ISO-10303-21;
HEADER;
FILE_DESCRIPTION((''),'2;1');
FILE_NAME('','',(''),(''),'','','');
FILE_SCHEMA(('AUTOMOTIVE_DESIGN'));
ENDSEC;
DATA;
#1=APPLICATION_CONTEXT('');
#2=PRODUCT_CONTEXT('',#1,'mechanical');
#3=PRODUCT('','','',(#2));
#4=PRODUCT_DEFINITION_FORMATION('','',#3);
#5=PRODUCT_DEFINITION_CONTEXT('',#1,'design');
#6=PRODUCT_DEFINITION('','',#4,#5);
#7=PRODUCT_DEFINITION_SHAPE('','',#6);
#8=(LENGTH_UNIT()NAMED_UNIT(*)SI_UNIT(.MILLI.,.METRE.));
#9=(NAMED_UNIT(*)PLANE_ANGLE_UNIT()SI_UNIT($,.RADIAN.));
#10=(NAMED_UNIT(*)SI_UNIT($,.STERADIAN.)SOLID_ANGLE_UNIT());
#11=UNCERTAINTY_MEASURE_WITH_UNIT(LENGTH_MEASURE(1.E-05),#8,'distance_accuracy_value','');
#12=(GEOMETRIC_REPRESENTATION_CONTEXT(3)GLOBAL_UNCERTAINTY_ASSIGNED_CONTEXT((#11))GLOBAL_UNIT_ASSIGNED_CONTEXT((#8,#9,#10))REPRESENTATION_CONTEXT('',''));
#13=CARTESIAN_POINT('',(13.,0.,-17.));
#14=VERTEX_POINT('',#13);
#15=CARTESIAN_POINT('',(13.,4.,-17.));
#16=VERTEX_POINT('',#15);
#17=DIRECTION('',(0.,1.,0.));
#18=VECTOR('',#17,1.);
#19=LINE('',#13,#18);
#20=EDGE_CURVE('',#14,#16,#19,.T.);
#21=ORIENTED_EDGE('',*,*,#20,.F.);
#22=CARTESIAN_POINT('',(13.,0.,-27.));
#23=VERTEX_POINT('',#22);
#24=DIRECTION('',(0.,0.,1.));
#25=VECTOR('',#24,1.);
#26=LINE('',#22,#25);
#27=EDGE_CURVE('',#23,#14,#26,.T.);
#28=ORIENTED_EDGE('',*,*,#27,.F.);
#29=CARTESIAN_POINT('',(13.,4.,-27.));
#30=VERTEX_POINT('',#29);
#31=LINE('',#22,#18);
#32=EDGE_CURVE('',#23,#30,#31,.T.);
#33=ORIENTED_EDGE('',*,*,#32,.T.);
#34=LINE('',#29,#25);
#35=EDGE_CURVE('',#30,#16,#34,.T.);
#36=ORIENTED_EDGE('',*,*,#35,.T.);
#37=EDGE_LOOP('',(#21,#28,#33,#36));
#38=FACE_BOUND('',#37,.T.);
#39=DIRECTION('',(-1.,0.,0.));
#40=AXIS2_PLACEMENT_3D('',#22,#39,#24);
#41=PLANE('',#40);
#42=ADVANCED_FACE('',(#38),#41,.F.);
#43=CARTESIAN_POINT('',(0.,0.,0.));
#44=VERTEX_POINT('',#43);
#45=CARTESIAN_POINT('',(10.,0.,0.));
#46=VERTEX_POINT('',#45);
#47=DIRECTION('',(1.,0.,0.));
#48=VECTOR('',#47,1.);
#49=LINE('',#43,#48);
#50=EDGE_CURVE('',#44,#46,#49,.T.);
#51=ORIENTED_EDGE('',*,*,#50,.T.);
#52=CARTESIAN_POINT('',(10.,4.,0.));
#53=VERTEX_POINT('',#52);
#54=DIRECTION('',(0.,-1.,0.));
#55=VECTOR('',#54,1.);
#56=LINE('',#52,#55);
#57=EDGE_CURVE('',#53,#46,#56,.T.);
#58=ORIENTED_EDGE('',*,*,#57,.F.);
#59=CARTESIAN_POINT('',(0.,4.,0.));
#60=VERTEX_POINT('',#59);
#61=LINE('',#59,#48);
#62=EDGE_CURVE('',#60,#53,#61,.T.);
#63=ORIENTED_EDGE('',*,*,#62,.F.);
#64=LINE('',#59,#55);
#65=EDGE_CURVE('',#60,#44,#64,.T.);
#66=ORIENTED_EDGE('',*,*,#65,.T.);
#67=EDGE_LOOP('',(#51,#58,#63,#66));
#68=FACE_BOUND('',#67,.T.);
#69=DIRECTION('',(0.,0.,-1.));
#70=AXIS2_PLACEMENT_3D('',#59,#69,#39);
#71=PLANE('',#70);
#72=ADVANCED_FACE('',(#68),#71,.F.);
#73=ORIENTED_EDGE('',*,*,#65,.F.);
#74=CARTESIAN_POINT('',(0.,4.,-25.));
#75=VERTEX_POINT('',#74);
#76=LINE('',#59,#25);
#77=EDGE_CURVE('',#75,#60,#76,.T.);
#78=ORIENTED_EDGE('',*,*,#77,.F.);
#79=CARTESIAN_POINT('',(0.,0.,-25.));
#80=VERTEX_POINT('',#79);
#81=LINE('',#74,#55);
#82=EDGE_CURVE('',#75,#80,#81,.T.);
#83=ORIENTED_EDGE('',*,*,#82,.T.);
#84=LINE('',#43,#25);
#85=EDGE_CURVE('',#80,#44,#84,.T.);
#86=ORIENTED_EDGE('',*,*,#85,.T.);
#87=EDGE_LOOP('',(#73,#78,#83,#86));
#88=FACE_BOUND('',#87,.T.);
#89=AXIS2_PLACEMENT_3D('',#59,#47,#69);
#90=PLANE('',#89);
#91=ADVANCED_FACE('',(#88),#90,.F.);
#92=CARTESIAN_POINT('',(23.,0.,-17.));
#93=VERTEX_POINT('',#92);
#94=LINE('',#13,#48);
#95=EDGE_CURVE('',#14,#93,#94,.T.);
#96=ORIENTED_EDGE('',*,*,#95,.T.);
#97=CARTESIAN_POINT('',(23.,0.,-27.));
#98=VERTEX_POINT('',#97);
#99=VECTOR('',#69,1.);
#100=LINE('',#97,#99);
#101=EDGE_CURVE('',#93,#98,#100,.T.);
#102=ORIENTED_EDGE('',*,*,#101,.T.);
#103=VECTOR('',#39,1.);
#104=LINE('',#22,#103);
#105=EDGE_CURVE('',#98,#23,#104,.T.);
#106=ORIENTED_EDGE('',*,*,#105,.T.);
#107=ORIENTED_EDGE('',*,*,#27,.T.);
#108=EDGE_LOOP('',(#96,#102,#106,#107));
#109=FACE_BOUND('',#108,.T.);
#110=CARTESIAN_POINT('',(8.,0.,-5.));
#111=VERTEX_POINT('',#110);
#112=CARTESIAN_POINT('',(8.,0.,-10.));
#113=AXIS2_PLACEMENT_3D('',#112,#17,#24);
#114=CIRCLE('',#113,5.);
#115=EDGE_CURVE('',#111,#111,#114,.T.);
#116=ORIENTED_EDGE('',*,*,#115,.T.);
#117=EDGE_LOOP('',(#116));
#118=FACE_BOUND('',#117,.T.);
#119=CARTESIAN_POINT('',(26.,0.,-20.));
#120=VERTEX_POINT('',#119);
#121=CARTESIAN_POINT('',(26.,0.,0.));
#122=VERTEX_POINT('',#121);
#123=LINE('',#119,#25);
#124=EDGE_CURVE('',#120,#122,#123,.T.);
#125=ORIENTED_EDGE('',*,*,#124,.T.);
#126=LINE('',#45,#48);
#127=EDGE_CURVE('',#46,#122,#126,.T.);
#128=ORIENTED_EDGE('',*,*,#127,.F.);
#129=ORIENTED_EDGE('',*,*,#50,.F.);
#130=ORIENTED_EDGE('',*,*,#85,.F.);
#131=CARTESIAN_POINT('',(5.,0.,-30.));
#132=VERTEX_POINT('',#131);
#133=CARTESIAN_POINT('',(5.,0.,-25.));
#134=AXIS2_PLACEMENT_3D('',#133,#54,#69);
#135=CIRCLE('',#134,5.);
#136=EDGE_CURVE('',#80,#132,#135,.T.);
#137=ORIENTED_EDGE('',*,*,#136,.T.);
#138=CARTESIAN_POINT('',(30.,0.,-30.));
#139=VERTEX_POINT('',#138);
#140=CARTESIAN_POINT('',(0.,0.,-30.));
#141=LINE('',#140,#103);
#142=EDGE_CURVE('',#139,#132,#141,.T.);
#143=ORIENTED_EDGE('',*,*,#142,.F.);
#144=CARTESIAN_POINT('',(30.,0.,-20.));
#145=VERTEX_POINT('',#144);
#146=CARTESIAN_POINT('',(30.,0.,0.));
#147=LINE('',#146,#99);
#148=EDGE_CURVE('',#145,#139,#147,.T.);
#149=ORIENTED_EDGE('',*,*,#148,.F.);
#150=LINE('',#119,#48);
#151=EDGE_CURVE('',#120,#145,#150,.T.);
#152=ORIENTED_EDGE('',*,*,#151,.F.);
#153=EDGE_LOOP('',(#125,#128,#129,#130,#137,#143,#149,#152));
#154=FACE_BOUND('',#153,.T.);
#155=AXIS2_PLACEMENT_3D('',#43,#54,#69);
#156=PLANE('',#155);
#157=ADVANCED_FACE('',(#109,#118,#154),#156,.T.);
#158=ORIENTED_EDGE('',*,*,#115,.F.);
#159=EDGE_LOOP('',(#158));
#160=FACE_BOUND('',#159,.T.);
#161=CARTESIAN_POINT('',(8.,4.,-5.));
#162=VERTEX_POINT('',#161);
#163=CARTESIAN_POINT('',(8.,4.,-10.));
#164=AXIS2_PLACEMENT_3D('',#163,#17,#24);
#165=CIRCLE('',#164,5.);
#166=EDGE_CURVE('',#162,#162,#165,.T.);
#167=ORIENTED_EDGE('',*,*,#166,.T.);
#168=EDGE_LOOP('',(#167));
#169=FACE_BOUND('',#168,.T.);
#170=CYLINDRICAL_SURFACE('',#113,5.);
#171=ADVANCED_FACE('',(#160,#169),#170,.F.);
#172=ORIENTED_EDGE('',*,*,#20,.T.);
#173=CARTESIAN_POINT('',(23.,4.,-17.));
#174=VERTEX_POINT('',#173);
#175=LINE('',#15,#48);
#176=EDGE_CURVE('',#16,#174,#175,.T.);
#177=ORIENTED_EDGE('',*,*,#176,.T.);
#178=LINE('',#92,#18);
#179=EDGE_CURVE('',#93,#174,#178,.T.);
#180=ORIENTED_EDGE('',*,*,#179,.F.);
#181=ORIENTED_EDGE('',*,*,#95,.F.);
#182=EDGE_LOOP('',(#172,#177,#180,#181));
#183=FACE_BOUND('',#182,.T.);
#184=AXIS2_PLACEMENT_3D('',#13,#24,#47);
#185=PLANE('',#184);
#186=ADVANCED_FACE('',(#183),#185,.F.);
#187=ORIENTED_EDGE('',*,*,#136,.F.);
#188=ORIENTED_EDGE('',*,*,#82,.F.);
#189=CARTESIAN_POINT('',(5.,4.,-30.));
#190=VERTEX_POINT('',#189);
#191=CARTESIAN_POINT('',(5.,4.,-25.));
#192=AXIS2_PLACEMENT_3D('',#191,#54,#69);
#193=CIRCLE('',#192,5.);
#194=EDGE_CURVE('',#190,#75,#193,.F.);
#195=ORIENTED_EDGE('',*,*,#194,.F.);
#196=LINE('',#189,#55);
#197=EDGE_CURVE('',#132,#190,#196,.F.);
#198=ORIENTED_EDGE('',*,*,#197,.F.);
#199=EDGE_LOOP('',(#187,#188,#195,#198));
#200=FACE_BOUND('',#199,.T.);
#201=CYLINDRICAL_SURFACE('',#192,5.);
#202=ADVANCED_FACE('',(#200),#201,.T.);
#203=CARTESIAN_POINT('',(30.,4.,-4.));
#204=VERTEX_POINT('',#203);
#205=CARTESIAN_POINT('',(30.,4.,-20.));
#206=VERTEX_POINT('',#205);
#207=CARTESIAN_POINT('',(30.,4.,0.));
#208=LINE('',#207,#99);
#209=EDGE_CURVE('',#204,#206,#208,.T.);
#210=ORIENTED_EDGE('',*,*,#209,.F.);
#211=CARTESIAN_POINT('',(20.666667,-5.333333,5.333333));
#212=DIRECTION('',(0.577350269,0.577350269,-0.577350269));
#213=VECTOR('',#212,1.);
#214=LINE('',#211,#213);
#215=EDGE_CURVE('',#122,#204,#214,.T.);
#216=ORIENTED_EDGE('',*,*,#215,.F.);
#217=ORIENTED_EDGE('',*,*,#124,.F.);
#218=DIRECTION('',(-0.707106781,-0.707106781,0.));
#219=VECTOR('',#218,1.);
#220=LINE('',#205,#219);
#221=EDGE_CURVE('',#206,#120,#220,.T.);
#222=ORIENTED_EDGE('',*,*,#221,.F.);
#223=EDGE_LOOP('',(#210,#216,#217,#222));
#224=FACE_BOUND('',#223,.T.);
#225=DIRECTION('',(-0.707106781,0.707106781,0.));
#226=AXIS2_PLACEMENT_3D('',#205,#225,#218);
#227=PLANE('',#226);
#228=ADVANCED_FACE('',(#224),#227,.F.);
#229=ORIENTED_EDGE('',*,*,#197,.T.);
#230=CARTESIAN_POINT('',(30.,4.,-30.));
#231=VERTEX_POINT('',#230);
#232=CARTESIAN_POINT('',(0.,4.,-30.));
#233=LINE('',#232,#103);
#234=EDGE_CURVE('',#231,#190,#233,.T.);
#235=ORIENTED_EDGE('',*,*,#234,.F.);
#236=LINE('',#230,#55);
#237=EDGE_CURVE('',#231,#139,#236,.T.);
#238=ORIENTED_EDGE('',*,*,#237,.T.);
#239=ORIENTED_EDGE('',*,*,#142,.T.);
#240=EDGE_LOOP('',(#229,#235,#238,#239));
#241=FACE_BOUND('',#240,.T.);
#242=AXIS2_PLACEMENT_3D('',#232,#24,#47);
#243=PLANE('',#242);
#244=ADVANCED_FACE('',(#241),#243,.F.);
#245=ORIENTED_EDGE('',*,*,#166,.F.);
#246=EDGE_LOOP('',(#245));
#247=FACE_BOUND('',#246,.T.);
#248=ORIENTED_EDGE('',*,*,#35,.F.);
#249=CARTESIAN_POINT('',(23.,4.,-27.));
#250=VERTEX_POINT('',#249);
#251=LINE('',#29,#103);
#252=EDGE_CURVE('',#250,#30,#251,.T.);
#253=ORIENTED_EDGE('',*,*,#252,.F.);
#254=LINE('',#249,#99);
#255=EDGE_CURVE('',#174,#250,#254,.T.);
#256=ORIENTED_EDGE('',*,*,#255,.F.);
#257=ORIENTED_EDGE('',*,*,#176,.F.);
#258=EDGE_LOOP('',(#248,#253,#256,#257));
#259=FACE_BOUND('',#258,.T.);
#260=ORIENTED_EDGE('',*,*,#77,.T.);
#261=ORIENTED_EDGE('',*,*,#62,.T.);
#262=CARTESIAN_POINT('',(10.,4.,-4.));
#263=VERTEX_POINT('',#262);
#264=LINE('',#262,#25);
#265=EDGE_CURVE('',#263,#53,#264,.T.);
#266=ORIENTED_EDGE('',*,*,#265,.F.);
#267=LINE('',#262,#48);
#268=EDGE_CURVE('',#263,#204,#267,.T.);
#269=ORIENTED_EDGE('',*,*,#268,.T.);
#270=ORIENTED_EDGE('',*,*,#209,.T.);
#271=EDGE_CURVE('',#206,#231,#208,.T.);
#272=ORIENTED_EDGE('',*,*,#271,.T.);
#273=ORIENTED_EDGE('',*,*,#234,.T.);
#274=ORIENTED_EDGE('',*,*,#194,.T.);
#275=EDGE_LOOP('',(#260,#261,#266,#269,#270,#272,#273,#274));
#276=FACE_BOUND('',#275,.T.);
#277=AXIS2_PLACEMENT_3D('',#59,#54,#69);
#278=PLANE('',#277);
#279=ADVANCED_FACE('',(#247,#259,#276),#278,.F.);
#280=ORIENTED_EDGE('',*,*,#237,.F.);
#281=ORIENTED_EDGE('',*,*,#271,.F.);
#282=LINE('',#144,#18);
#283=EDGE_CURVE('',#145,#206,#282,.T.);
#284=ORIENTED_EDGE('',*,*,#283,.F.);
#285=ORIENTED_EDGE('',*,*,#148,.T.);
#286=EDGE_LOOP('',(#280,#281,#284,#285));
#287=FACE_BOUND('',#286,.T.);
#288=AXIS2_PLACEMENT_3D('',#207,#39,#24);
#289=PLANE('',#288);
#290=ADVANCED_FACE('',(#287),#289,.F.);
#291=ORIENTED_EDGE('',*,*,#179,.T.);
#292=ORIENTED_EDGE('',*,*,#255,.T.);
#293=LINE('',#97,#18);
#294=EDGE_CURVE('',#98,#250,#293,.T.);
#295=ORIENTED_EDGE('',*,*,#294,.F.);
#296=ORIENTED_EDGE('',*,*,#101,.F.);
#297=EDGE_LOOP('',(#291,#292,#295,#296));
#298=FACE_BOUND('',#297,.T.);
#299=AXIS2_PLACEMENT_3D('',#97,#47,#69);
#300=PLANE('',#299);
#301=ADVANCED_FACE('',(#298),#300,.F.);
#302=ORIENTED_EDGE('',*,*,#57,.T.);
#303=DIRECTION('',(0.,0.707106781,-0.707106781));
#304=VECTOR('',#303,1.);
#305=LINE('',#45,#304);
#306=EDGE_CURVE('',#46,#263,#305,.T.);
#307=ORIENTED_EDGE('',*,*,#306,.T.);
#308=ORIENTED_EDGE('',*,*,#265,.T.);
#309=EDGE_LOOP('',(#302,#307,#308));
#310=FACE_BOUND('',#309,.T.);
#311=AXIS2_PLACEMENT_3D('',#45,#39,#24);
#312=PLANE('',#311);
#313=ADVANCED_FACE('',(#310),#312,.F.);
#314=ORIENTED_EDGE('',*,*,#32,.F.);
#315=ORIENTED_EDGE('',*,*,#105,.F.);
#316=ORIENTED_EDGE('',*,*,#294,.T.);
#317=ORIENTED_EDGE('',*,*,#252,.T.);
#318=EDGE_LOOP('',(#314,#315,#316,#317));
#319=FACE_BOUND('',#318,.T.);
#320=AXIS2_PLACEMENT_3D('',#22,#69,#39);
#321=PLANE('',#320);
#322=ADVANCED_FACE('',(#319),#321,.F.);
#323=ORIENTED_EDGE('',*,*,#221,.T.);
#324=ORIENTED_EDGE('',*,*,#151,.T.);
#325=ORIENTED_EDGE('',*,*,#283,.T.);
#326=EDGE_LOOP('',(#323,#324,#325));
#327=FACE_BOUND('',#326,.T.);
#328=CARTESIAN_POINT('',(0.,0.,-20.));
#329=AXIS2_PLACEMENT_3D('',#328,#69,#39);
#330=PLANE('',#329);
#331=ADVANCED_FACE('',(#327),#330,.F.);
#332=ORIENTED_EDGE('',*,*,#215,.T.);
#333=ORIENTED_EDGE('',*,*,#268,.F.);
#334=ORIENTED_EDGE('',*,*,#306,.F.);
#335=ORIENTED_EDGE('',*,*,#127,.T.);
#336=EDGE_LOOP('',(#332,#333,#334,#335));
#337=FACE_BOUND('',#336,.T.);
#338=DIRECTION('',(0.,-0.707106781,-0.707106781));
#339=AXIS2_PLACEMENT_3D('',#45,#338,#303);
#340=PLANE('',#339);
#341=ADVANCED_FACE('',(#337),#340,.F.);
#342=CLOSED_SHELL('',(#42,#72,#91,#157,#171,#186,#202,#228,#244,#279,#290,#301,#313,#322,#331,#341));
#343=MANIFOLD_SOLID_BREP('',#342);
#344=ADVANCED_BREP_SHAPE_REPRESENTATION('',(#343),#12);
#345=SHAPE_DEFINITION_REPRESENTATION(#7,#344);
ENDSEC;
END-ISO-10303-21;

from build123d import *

# Parameters (mm, degrees)
SKETCH1_W           = 30
SKETCH1_H           = 30
BOSS_EXTRUDE1_DEPTH = 4
SKETCH2_R           = 5
SKETCH2_W           = 10
SKETCH2_H           = 10
CUT_EXTRUDE1_DEPTH  = 5
FILLET1_R           = 5
CUT_EXTRUDE2_DEPTH  = 20
CUT_EXTRUDE3_DEPTH  = 20


with BuildPart() as part:
    # Sketch1 → Boss-Extrude1 (new body)
    with BuildSketch(Plane(origin=(0, 0, 0), x_dir=(1, 0, 0), z_dir=(0, 1, 0))):
        with Locations((15, 15)):
            Rectangle(SKETCH1_W, SKETCH1_H)
    extrude(amount=BOSS_EXTRUDE1_DEPTH)

    # Sketch2 → Cut-Extrude1 (cut, through all)
    with BuildSketch(Plane(origin=(0, 4, 0), x_dir=(1, 0, 0), z_dir=(0, 1, 0))):
        with Locations(Location((8, 10, 0), (0, 0, 270))):  # turned: the seam where the file's is
            Circle(SKETCH2_R)
        with Locations((18, 22)):
            Rectangle(SKETCH2_W, SKETCH2_H)
    extrude(amount=-CUT_EXTRUDE1_DEPTH, mode=Mode.SUBTRACT)

    # Fillet1
    fillet1_edges = [part.edges().sort_by_distance(p)[0] for p in [
        (0, 2, -30),
    ]]
    fillet(fillet1_edges, radius=FILLET1_R)

    # Sketch3 → Cut-Extrude2 (cut)
    with BuildSketch(Plane(origin=(30, 0, 0), x_dir=(0, 0, -1), z_dir=(1, 0, 0))):
        Polygon((0, 0), (4, 4), (0, 4), align=None)
    extrude(amount=-CUT_EXTRUDE2_DEPTH, mode=Mode.SUBTRACT)

    # Sketch4 → Cut-Extrude3 (cut)
    with BuildSketch(Plane.XY):
        Polygon((30, 4), (26, 0), (30, 0), align=None)
    extrude(amount=-CUT_EXTRUDE3_DEPTH, mode=Mode.SUBTRACT)


solid = part.part
